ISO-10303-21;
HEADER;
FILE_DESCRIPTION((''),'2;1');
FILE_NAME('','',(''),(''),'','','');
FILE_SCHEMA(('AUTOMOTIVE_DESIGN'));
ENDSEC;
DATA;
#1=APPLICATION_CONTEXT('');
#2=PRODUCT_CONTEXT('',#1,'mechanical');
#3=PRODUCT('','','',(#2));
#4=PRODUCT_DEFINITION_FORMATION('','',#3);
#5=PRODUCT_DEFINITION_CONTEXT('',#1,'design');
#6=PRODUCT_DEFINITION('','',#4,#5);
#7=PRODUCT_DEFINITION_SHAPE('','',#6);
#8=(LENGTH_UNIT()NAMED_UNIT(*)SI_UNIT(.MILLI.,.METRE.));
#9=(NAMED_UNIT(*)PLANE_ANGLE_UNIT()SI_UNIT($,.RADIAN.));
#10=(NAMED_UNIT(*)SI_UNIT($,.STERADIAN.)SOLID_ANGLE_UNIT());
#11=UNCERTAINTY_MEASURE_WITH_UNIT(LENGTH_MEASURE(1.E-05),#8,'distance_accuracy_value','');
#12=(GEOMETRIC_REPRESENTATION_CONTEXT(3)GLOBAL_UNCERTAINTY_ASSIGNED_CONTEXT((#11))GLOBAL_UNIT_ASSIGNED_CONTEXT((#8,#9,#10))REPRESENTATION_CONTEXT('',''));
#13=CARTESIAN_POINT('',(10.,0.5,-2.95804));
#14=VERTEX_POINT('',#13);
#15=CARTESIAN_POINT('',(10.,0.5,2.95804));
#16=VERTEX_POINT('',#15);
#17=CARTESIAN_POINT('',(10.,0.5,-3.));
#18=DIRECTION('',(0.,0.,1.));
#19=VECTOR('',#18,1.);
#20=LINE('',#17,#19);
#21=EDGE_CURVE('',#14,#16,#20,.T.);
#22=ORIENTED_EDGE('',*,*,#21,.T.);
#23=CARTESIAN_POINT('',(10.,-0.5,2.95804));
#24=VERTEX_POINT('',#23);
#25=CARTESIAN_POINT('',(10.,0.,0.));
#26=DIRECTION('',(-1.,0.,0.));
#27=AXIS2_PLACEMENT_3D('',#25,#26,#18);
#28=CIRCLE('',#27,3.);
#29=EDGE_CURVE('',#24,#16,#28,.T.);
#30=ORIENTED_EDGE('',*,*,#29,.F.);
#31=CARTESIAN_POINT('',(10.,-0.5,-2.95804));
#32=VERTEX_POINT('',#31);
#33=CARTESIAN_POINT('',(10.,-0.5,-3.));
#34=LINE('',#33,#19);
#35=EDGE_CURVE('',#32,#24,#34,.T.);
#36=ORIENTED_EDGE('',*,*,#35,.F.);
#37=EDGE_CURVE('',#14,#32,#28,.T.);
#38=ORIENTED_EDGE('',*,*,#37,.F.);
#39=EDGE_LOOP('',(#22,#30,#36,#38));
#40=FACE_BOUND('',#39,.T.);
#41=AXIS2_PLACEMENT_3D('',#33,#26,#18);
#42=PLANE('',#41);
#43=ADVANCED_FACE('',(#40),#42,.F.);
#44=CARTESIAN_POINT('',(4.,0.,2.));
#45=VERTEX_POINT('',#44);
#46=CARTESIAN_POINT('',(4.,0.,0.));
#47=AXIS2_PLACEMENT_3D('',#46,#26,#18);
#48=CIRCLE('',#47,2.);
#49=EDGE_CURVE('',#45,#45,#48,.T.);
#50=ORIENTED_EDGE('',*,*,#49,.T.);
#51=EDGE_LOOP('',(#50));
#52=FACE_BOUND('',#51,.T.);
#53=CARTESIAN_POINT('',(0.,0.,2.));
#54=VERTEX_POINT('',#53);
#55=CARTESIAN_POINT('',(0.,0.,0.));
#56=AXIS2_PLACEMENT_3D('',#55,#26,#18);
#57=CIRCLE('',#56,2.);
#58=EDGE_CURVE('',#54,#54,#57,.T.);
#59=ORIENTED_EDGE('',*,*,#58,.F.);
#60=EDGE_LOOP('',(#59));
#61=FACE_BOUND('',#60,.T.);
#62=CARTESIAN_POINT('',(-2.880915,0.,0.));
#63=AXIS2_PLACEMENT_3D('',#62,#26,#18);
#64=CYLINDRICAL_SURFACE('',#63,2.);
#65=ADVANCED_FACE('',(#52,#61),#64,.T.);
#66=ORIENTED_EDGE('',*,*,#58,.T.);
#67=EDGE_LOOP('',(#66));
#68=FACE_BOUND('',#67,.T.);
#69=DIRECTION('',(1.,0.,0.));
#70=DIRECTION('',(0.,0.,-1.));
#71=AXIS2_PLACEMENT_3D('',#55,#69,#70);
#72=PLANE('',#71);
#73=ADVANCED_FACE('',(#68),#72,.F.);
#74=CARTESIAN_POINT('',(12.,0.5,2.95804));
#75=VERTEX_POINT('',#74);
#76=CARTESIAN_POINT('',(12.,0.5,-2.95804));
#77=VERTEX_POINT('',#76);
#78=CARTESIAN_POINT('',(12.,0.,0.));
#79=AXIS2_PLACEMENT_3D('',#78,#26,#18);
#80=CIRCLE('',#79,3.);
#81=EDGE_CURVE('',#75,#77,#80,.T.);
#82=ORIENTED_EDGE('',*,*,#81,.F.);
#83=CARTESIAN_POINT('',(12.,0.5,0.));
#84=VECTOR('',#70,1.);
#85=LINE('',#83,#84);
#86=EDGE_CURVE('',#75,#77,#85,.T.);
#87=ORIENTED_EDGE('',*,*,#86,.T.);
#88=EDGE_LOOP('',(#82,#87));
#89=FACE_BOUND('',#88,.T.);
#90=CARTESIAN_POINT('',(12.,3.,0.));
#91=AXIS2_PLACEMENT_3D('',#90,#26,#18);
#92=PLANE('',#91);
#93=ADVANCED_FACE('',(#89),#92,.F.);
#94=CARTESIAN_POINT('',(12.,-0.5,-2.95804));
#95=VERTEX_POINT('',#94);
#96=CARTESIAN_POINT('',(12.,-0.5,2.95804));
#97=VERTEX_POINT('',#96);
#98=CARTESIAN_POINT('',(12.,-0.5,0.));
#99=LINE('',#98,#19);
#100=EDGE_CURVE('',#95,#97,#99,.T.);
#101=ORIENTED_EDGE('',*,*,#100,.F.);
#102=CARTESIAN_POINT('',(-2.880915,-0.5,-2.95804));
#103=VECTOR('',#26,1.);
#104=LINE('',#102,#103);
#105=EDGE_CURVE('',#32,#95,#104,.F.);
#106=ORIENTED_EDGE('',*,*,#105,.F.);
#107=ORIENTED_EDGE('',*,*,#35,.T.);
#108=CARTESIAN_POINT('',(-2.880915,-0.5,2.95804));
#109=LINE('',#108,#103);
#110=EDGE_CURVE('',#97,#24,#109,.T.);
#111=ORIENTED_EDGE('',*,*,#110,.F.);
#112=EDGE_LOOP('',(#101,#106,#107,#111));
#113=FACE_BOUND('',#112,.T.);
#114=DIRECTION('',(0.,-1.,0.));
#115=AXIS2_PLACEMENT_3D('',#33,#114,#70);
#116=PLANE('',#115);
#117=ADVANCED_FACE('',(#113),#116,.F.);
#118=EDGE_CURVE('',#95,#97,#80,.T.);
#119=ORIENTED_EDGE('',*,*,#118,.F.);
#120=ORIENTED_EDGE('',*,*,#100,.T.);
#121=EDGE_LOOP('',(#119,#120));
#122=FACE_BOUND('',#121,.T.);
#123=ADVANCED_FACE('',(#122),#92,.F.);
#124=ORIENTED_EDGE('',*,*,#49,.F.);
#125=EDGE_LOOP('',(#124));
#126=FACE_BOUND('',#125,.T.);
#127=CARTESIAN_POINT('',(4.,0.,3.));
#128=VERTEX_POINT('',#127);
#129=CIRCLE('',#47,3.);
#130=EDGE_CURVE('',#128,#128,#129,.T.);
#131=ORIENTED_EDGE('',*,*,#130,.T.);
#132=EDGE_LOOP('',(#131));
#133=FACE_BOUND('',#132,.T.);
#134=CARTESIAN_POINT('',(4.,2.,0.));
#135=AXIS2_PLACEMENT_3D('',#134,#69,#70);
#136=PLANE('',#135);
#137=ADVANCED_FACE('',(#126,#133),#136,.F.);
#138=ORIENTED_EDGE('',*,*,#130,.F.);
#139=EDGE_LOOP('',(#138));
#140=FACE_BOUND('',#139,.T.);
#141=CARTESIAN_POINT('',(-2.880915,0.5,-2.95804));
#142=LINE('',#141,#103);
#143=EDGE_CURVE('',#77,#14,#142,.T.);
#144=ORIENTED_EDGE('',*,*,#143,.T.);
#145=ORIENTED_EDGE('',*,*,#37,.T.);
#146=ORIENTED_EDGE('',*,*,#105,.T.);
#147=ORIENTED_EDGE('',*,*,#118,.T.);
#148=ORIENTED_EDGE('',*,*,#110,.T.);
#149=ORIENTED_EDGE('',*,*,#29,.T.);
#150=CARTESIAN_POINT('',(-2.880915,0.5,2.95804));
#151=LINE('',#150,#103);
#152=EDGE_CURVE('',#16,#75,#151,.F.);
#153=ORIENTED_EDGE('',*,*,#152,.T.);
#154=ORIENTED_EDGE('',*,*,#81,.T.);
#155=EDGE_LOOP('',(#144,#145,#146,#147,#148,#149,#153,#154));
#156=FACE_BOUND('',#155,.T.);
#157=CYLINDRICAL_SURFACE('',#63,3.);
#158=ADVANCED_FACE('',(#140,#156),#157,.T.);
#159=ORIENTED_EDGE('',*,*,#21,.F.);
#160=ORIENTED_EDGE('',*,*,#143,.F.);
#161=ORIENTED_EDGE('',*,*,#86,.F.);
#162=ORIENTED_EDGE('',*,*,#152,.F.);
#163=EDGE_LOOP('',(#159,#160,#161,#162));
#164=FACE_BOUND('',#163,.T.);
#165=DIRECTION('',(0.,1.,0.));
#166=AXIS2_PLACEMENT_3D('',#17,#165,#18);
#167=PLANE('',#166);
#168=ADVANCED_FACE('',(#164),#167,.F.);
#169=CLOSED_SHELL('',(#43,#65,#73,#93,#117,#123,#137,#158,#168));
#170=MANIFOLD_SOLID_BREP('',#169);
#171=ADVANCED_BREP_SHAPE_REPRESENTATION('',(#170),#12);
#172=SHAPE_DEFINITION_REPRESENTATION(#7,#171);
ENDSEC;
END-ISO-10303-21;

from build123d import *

# Parameters (mm, degrees)
CUT_EXTRUDE1_DEPTH      = 13.727922061
CUT_EXTRUDE1_DEPTH_BACK = 13.727922061
SKETCH2_W               = 2
SKETCH2_H               = 1


with BuildPart() as part:
    # Sketch1 → Revolve1 (revolve)
    with BuildSketch(Plane.XY, mode=Mode.PRIVATE) as revolve1_sk:
        Polygon((0, 0), (0, 2), (4, 2), (4, 3), (12, 3), (12, 0), align=None)
    revolve(revolve1_sk.sketch.rotate(Axis((-2.880915106, 0, 0), (1, 0, 0)), 90), axis=Axis((-2.880915106, 0, 0), (1, 0, 0)))

    # Sketch2 → Cut-Extrude1 (cut, two sides: drawn at the far end of the back side and taken through both)
    with BuildSketch(Plane.XY.offset(-CUT_EXTRUDE1_DEPTH_BACK)):
        with Locations((11, 0)):
            Rectangle(SKETCH2_W, SKETCH2_H)
    extrude(amount=CUT_EXTRUDE1_DEPTH + CUT_EXTRUDE1_DEPTH_BACK, mode=Mode.SUBTRACT)


solid = part.part
